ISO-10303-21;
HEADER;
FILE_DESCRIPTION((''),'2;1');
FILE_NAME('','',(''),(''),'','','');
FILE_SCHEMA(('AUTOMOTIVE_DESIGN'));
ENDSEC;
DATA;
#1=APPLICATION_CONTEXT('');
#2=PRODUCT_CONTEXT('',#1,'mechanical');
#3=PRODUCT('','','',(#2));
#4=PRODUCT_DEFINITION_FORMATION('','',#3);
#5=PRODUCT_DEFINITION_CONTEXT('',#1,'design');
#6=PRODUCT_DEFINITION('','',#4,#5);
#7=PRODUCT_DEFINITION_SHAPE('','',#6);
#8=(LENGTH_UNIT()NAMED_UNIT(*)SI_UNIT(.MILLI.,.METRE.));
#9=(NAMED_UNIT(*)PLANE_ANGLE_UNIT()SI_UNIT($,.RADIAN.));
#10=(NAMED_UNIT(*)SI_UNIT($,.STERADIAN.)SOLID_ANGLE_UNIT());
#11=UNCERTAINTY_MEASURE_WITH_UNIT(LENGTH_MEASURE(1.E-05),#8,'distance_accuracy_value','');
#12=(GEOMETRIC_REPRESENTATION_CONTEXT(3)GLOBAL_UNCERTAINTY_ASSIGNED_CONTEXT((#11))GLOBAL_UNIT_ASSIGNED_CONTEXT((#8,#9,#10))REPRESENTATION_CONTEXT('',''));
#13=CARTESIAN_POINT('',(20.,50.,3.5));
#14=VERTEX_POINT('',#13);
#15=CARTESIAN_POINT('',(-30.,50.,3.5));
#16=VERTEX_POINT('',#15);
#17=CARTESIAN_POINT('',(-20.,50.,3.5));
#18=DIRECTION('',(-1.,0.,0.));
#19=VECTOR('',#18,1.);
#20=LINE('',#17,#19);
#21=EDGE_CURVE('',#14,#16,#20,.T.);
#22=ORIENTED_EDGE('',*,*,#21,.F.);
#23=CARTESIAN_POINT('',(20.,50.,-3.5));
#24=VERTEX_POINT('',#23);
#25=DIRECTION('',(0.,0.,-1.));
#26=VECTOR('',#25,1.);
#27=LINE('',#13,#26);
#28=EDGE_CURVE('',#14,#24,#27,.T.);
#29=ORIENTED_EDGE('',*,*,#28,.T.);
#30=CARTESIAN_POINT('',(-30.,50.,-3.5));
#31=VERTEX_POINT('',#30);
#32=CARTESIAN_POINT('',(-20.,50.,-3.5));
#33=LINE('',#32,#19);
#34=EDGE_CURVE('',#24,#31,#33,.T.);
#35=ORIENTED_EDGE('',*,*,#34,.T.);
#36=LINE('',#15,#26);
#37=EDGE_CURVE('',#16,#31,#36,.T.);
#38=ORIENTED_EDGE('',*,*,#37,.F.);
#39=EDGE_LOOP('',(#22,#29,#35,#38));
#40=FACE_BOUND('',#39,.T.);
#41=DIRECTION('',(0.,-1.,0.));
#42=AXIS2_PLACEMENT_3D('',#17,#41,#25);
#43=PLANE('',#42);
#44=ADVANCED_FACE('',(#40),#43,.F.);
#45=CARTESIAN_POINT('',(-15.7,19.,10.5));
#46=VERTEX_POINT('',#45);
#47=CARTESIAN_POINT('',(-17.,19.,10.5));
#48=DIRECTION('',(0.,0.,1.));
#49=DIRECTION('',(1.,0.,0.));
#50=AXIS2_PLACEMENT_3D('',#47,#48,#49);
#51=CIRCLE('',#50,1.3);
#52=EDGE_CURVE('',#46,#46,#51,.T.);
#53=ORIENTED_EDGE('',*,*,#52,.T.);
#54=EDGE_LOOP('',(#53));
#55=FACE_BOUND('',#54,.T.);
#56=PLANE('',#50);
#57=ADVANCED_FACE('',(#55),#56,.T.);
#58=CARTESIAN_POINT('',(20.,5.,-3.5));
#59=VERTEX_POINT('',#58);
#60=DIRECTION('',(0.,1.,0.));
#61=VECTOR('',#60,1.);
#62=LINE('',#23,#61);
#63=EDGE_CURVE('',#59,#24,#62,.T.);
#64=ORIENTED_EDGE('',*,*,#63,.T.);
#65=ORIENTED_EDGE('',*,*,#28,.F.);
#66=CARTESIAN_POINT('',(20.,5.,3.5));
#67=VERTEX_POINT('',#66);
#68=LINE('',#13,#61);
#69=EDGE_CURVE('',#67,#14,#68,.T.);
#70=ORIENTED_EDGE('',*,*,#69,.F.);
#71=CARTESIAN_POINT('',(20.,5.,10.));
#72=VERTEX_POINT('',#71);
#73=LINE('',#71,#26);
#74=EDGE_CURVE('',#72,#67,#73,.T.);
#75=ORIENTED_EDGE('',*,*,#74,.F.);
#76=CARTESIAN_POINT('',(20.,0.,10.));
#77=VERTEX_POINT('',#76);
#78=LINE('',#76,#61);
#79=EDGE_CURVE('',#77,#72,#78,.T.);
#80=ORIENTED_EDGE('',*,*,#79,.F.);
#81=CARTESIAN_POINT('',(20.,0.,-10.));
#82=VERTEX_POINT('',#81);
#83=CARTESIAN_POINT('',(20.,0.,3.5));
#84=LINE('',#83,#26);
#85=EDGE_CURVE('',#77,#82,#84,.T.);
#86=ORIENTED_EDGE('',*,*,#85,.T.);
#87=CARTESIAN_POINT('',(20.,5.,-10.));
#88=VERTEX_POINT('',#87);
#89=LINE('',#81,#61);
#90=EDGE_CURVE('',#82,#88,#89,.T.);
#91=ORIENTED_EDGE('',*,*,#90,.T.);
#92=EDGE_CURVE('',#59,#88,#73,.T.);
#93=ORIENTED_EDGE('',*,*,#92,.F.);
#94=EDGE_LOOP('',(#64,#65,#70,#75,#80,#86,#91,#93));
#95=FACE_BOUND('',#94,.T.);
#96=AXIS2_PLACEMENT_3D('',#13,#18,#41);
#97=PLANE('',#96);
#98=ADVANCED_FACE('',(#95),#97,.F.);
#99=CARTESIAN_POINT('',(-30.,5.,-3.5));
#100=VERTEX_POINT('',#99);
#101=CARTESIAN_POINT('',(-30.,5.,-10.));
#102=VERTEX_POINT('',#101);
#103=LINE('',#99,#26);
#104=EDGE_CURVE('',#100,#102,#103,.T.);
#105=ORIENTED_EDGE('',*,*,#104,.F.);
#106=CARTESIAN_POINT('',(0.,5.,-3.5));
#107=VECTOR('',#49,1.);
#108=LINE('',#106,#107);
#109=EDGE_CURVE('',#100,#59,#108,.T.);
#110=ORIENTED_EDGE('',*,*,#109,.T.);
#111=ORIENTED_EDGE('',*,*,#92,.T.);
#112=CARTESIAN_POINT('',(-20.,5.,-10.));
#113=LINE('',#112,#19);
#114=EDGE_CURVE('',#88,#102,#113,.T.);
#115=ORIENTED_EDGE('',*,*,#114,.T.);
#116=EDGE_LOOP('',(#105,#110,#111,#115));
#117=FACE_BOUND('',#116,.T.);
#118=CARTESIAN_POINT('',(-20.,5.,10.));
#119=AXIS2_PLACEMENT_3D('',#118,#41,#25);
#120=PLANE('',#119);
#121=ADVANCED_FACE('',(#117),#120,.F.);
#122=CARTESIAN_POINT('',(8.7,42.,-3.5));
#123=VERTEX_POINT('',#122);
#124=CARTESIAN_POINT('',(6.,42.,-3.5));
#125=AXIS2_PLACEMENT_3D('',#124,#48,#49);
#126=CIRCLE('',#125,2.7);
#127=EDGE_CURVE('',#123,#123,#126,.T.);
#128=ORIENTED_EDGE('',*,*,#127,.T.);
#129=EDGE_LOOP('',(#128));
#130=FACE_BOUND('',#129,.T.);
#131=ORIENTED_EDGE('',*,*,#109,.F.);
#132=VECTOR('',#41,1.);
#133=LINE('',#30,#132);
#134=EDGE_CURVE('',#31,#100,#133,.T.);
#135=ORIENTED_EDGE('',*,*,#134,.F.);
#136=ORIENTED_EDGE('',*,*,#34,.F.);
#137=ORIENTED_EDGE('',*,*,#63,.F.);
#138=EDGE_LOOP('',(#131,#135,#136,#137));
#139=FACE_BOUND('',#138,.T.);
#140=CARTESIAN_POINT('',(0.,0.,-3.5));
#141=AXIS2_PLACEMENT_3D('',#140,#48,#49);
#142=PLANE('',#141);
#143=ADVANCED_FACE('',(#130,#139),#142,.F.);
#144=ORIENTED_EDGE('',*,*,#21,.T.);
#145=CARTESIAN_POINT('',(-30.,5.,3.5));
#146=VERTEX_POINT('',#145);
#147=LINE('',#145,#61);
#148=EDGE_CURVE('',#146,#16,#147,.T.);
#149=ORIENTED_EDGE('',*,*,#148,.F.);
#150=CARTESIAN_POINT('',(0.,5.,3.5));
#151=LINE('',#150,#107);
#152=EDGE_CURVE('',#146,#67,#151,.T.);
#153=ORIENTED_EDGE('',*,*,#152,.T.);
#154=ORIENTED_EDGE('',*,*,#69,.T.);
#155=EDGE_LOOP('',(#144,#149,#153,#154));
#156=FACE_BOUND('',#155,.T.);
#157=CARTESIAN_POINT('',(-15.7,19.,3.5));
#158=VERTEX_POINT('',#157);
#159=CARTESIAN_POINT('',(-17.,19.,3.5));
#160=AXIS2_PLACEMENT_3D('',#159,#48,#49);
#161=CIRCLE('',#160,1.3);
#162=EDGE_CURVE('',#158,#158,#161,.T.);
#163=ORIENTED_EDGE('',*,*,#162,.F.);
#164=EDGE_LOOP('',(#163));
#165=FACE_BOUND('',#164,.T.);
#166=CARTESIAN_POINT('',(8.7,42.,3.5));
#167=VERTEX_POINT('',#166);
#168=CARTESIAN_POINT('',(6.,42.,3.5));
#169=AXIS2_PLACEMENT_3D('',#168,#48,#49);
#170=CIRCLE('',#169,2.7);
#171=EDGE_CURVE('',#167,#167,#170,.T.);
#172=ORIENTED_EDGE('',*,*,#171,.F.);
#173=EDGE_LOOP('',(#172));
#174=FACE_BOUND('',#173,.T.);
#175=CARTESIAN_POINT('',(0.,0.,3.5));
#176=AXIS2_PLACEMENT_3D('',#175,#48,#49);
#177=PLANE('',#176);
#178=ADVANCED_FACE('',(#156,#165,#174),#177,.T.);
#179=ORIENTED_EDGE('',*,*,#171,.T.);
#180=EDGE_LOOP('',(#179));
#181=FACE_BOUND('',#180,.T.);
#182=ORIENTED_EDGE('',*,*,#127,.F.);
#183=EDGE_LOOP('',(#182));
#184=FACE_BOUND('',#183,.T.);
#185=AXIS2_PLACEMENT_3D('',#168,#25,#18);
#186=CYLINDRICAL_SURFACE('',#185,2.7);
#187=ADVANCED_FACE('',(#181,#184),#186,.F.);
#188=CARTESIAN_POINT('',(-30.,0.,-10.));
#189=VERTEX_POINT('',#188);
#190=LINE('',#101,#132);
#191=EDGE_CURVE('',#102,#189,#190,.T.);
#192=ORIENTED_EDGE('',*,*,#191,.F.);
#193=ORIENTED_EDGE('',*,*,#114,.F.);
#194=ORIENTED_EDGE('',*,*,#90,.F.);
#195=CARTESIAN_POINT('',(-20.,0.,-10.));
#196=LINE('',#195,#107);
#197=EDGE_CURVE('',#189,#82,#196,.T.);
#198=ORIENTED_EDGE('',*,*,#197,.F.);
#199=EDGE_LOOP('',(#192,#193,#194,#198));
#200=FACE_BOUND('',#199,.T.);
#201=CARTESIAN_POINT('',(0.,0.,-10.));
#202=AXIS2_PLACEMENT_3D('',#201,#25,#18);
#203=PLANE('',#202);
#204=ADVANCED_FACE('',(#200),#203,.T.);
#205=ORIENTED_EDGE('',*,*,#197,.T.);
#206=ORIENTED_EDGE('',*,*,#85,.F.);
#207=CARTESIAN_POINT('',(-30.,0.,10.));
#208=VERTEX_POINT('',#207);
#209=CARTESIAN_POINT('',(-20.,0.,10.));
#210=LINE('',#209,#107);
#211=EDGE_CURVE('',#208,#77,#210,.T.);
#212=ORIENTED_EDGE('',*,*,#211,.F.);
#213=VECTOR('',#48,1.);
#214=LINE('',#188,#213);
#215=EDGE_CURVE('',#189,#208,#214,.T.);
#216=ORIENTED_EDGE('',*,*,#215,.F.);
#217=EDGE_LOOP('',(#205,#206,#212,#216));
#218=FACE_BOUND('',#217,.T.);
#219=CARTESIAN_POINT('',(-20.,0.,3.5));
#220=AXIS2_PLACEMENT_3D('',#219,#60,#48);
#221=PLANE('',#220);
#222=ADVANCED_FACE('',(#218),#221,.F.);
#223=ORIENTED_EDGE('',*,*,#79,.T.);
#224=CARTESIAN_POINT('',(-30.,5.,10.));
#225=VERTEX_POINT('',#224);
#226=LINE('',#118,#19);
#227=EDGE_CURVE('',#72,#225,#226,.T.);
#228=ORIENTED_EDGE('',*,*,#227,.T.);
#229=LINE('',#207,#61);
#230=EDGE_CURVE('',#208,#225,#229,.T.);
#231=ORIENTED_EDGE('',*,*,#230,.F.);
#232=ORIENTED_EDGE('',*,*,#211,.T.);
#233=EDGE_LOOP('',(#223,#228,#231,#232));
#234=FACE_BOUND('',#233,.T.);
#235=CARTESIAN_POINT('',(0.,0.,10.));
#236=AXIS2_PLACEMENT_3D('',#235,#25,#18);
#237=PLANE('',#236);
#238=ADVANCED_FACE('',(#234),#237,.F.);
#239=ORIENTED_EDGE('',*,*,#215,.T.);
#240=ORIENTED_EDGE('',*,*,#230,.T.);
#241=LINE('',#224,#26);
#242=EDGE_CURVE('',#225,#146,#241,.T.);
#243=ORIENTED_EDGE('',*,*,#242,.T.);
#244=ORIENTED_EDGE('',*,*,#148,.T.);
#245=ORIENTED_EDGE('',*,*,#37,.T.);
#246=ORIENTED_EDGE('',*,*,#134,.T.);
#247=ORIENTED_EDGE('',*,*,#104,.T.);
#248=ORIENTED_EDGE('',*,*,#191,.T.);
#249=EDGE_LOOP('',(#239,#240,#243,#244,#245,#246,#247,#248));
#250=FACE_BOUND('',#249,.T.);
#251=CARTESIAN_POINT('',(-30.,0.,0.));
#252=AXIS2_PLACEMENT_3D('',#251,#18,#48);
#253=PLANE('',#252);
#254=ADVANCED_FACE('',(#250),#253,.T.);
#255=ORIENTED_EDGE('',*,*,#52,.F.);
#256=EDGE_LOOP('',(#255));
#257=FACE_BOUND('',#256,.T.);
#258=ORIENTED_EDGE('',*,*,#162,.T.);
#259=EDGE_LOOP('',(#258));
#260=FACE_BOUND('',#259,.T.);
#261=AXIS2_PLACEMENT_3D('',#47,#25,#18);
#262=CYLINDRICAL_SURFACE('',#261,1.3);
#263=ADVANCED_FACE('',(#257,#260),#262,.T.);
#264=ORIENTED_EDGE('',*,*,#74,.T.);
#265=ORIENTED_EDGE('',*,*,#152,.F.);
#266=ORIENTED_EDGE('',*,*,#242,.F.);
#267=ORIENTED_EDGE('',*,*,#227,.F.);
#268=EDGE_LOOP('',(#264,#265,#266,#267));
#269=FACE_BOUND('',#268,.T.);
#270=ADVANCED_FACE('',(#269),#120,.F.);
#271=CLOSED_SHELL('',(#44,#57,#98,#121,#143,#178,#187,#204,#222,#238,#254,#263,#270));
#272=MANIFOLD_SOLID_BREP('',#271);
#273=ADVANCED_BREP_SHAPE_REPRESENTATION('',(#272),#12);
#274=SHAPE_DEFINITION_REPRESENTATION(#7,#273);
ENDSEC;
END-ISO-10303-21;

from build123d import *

# Parameters (mm, degrees)
SKETCH_1_W      = 40
SKETCH_1_H      = 50
SKETCH_1_R      = 2.7
EXTRUDE_1_DEPTH = 3.5
SKETCH_3_W      = 40
SKETCH_3_H      = 5
EXTRUDE_2_DEPTH = 10
EXTRUDE_3_DEPTH = 10
SKETCH_5_R      = 1.3
EXTRUDE_4_DEPTH = 7


with BuildPart() as part:
    # 草图1 → 凸台-拉伸1 (new, symmetric)
    with BuildSketch(Plane.XY):
        with Locations((0, 25)):
            Rectangle(SKETCH_1_W, SKETCH_1_H)
        with Locations((6, 42)):
            Circle(SKETCH_1_R, mode=Mode.SUBTRACT)
    extrude(amount=EXTRUDE_1_DEPTH, both=True)

    # 草图3 → 凸台-拉伸2 (add, symmetric)
    with BuildSketch(Plane.XY):
        with Locations((0, 2.5)):
            Rectangle(SKETCH_3_W, SKETCH_3_H)
    extrude(amount=EXTRUDE_2_DEPTH, both=True)

    # 草图7 → 凸台-拉伸3 (add)
    with BuildSketch(Plane.ZY.offset(20)):
        Polygon((-10, 0), (10, 0), (10, 5), (3.5, 5), (3.5, 50), (-3.5, 50), (-3.5, 5), (-10, 5), align=None)
    extrude(amount=EXTRUDE_3_DEPTH)

    # 草图5 → 凸台-拉伸4 (add)
    with BuildSketch(Plane.XY.offset(3.5)):
        with Locations((-17, 19)):
            Circle(SKETCH_5_R)
    extrude(amount=EXTRUDE_4_DEPTH)


solid = part.part
